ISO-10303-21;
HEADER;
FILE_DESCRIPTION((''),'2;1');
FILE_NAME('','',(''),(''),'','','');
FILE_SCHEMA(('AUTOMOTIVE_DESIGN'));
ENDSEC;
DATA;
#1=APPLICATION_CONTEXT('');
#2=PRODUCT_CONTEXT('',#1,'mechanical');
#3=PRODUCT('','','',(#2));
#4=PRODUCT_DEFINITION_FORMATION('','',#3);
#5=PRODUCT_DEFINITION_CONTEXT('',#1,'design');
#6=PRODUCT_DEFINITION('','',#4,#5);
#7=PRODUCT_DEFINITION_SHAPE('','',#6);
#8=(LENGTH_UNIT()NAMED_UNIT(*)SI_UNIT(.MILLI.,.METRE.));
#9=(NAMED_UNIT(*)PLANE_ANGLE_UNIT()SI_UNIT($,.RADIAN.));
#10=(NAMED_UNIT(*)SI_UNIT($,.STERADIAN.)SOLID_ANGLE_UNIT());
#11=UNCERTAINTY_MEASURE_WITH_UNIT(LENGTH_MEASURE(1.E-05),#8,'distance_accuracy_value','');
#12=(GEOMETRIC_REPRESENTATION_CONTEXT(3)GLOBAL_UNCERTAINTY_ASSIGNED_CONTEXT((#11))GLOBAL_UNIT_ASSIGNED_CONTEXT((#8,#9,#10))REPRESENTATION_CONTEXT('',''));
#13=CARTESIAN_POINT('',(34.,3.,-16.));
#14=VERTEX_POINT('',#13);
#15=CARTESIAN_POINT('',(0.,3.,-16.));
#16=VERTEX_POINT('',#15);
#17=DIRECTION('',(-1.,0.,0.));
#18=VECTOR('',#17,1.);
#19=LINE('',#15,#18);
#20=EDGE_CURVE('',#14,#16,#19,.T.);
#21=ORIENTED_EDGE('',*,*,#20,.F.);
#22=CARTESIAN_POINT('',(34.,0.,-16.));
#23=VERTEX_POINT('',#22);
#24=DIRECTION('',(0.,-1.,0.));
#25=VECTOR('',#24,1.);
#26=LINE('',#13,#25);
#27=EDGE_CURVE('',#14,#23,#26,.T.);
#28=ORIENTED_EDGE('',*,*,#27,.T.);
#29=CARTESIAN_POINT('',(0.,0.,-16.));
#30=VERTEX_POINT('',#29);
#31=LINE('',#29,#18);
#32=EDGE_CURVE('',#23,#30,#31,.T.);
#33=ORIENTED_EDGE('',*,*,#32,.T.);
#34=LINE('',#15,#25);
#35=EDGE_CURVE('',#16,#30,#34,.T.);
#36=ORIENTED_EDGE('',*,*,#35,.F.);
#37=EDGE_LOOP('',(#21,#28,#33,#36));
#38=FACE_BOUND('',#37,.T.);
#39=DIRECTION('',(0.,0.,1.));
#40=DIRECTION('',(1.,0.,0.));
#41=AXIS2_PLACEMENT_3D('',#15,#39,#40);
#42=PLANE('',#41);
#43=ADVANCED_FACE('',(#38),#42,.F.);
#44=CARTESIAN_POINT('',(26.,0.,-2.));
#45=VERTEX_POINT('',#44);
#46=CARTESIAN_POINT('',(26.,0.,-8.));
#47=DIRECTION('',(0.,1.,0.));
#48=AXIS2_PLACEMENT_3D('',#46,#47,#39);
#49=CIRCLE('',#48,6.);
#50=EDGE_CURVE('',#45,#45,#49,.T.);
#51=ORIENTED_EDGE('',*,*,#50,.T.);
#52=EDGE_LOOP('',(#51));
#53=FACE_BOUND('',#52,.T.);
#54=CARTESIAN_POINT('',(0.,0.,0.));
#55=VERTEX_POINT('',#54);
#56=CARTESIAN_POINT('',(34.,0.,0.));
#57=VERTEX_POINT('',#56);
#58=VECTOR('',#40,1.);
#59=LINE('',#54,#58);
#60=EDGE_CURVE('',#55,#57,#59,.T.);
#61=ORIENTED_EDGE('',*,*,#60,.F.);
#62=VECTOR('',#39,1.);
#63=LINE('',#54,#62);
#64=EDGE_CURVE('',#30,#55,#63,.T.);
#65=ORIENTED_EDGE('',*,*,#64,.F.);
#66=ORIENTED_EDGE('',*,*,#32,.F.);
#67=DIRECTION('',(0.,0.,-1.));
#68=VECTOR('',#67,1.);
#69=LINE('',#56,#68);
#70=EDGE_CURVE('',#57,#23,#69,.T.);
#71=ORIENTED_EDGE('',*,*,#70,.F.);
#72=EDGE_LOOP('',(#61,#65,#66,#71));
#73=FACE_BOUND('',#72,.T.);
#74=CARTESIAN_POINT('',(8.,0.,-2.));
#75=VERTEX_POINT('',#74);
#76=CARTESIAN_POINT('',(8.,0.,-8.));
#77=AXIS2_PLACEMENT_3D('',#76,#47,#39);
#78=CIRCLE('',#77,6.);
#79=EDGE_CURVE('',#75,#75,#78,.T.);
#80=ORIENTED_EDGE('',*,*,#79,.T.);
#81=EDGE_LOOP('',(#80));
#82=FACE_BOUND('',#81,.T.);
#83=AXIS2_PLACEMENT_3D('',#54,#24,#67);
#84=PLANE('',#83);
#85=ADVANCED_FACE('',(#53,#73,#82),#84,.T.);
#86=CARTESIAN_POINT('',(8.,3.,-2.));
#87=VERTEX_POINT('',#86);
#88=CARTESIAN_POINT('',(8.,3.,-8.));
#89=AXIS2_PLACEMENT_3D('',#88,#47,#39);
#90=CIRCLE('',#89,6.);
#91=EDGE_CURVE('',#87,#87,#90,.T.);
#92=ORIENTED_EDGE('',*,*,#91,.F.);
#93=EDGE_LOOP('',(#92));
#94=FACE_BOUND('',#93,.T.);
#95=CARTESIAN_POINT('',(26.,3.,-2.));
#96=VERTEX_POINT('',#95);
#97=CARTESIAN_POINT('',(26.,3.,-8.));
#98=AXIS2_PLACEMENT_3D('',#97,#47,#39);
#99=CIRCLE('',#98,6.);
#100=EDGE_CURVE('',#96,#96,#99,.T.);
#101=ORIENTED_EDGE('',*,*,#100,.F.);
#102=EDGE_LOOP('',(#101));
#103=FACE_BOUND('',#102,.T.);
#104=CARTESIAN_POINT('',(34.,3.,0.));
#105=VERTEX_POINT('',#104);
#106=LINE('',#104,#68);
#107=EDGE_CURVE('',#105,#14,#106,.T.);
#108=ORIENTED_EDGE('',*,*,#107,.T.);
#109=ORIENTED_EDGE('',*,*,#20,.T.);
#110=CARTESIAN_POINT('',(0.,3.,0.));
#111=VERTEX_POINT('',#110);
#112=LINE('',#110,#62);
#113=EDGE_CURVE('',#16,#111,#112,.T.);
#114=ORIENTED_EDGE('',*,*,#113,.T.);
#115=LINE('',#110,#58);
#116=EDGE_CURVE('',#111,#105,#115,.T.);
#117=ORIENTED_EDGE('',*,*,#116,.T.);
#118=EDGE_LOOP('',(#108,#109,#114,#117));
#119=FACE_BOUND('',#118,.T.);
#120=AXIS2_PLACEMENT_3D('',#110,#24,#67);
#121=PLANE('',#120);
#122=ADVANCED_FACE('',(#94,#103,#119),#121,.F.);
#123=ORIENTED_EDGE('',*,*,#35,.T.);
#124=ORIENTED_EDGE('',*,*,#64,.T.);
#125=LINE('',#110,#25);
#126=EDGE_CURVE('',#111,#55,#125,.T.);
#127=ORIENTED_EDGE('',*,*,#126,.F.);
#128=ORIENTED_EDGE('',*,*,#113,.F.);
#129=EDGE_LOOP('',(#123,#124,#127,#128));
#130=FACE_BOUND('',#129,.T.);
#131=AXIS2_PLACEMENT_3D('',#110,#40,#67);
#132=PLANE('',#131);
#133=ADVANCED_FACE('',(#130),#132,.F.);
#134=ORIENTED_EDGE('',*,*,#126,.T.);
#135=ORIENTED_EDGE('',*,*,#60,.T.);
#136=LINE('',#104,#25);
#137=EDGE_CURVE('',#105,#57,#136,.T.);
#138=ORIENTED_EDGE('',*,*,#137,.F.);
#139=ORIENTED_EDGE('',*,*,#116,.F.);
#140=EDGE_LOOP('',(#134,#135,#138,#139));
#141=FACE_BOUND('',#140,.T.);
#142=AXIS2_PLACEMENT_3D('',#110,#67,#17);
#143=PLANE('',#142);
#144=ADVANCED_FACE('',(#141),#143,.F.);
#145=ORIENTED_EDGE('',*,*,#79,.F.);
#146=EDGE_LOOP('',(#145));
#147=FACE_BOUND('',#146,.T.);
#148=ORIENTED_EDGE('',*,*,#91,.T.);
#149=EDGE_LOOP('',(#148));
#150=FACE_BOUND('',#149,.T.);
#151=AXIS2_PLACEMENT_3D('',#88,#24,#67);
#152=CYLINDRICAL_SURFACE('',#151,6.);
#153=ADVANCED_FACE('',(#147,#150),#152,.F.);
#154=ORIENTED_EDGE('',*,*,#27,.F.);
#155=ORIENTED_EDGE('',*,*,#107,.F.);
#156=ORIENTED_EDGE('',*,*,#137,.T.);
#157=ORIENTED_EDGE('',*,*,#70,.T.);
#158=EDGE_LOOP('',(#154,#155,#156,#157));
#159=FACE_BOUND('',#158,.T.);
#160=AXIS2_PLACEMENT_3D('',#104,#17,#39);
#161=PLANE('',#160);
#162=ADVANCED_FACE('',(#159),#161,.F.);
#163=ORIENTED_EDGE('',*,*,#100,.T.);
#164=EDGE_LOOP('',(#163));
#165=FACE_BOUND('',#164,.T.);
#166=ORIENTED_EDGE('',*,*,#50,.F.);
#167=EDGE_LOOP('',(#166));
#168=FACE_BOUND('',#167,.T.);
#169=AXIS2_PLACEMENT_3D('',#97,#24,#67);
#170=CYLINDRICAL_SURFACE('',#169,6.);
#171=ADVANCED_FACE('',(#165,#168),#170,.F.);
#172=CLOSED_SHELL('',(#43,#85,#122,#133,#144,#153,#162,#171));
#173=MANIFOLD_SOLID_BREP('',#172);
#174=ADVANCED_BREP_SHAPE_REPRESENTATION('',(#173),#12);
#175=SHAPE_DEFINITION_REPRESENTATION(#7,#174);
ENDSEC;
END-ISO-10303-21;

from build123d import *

# Parameters (mm, degrees)
SKETCH1_W           = 34
SKETCH1_H           = 16
SKETCH1_R           = 6
BOSS_EXTRUDE1_DEPTH = 3


with BuildPart() as part:
    # Sketch1 → Boss-Extrude1 (new body)
    with BuildSketch(Plane(origin=(0, 0, 0), x_dir=(1, 0, 0), z_dir=(0, 1, 0))):
        with Locations((17, 8)):
            Rectangle(SKETCH1_W, SKETCH1_H)
        with Locations(Location((8, 8, 0), (0, 0, 270))):
            Circle(SKETCH1_R, mode=Mode.SUBTRACT)
        with Locations(Location((26, 8, 0), (0, 0, 270))):
            Circle(SKETCH1_R, mode=Mode.SUBTRACT)
    extrude(amount=BOSS_EXTRUDE1_DEPTH)


solid = part.part
